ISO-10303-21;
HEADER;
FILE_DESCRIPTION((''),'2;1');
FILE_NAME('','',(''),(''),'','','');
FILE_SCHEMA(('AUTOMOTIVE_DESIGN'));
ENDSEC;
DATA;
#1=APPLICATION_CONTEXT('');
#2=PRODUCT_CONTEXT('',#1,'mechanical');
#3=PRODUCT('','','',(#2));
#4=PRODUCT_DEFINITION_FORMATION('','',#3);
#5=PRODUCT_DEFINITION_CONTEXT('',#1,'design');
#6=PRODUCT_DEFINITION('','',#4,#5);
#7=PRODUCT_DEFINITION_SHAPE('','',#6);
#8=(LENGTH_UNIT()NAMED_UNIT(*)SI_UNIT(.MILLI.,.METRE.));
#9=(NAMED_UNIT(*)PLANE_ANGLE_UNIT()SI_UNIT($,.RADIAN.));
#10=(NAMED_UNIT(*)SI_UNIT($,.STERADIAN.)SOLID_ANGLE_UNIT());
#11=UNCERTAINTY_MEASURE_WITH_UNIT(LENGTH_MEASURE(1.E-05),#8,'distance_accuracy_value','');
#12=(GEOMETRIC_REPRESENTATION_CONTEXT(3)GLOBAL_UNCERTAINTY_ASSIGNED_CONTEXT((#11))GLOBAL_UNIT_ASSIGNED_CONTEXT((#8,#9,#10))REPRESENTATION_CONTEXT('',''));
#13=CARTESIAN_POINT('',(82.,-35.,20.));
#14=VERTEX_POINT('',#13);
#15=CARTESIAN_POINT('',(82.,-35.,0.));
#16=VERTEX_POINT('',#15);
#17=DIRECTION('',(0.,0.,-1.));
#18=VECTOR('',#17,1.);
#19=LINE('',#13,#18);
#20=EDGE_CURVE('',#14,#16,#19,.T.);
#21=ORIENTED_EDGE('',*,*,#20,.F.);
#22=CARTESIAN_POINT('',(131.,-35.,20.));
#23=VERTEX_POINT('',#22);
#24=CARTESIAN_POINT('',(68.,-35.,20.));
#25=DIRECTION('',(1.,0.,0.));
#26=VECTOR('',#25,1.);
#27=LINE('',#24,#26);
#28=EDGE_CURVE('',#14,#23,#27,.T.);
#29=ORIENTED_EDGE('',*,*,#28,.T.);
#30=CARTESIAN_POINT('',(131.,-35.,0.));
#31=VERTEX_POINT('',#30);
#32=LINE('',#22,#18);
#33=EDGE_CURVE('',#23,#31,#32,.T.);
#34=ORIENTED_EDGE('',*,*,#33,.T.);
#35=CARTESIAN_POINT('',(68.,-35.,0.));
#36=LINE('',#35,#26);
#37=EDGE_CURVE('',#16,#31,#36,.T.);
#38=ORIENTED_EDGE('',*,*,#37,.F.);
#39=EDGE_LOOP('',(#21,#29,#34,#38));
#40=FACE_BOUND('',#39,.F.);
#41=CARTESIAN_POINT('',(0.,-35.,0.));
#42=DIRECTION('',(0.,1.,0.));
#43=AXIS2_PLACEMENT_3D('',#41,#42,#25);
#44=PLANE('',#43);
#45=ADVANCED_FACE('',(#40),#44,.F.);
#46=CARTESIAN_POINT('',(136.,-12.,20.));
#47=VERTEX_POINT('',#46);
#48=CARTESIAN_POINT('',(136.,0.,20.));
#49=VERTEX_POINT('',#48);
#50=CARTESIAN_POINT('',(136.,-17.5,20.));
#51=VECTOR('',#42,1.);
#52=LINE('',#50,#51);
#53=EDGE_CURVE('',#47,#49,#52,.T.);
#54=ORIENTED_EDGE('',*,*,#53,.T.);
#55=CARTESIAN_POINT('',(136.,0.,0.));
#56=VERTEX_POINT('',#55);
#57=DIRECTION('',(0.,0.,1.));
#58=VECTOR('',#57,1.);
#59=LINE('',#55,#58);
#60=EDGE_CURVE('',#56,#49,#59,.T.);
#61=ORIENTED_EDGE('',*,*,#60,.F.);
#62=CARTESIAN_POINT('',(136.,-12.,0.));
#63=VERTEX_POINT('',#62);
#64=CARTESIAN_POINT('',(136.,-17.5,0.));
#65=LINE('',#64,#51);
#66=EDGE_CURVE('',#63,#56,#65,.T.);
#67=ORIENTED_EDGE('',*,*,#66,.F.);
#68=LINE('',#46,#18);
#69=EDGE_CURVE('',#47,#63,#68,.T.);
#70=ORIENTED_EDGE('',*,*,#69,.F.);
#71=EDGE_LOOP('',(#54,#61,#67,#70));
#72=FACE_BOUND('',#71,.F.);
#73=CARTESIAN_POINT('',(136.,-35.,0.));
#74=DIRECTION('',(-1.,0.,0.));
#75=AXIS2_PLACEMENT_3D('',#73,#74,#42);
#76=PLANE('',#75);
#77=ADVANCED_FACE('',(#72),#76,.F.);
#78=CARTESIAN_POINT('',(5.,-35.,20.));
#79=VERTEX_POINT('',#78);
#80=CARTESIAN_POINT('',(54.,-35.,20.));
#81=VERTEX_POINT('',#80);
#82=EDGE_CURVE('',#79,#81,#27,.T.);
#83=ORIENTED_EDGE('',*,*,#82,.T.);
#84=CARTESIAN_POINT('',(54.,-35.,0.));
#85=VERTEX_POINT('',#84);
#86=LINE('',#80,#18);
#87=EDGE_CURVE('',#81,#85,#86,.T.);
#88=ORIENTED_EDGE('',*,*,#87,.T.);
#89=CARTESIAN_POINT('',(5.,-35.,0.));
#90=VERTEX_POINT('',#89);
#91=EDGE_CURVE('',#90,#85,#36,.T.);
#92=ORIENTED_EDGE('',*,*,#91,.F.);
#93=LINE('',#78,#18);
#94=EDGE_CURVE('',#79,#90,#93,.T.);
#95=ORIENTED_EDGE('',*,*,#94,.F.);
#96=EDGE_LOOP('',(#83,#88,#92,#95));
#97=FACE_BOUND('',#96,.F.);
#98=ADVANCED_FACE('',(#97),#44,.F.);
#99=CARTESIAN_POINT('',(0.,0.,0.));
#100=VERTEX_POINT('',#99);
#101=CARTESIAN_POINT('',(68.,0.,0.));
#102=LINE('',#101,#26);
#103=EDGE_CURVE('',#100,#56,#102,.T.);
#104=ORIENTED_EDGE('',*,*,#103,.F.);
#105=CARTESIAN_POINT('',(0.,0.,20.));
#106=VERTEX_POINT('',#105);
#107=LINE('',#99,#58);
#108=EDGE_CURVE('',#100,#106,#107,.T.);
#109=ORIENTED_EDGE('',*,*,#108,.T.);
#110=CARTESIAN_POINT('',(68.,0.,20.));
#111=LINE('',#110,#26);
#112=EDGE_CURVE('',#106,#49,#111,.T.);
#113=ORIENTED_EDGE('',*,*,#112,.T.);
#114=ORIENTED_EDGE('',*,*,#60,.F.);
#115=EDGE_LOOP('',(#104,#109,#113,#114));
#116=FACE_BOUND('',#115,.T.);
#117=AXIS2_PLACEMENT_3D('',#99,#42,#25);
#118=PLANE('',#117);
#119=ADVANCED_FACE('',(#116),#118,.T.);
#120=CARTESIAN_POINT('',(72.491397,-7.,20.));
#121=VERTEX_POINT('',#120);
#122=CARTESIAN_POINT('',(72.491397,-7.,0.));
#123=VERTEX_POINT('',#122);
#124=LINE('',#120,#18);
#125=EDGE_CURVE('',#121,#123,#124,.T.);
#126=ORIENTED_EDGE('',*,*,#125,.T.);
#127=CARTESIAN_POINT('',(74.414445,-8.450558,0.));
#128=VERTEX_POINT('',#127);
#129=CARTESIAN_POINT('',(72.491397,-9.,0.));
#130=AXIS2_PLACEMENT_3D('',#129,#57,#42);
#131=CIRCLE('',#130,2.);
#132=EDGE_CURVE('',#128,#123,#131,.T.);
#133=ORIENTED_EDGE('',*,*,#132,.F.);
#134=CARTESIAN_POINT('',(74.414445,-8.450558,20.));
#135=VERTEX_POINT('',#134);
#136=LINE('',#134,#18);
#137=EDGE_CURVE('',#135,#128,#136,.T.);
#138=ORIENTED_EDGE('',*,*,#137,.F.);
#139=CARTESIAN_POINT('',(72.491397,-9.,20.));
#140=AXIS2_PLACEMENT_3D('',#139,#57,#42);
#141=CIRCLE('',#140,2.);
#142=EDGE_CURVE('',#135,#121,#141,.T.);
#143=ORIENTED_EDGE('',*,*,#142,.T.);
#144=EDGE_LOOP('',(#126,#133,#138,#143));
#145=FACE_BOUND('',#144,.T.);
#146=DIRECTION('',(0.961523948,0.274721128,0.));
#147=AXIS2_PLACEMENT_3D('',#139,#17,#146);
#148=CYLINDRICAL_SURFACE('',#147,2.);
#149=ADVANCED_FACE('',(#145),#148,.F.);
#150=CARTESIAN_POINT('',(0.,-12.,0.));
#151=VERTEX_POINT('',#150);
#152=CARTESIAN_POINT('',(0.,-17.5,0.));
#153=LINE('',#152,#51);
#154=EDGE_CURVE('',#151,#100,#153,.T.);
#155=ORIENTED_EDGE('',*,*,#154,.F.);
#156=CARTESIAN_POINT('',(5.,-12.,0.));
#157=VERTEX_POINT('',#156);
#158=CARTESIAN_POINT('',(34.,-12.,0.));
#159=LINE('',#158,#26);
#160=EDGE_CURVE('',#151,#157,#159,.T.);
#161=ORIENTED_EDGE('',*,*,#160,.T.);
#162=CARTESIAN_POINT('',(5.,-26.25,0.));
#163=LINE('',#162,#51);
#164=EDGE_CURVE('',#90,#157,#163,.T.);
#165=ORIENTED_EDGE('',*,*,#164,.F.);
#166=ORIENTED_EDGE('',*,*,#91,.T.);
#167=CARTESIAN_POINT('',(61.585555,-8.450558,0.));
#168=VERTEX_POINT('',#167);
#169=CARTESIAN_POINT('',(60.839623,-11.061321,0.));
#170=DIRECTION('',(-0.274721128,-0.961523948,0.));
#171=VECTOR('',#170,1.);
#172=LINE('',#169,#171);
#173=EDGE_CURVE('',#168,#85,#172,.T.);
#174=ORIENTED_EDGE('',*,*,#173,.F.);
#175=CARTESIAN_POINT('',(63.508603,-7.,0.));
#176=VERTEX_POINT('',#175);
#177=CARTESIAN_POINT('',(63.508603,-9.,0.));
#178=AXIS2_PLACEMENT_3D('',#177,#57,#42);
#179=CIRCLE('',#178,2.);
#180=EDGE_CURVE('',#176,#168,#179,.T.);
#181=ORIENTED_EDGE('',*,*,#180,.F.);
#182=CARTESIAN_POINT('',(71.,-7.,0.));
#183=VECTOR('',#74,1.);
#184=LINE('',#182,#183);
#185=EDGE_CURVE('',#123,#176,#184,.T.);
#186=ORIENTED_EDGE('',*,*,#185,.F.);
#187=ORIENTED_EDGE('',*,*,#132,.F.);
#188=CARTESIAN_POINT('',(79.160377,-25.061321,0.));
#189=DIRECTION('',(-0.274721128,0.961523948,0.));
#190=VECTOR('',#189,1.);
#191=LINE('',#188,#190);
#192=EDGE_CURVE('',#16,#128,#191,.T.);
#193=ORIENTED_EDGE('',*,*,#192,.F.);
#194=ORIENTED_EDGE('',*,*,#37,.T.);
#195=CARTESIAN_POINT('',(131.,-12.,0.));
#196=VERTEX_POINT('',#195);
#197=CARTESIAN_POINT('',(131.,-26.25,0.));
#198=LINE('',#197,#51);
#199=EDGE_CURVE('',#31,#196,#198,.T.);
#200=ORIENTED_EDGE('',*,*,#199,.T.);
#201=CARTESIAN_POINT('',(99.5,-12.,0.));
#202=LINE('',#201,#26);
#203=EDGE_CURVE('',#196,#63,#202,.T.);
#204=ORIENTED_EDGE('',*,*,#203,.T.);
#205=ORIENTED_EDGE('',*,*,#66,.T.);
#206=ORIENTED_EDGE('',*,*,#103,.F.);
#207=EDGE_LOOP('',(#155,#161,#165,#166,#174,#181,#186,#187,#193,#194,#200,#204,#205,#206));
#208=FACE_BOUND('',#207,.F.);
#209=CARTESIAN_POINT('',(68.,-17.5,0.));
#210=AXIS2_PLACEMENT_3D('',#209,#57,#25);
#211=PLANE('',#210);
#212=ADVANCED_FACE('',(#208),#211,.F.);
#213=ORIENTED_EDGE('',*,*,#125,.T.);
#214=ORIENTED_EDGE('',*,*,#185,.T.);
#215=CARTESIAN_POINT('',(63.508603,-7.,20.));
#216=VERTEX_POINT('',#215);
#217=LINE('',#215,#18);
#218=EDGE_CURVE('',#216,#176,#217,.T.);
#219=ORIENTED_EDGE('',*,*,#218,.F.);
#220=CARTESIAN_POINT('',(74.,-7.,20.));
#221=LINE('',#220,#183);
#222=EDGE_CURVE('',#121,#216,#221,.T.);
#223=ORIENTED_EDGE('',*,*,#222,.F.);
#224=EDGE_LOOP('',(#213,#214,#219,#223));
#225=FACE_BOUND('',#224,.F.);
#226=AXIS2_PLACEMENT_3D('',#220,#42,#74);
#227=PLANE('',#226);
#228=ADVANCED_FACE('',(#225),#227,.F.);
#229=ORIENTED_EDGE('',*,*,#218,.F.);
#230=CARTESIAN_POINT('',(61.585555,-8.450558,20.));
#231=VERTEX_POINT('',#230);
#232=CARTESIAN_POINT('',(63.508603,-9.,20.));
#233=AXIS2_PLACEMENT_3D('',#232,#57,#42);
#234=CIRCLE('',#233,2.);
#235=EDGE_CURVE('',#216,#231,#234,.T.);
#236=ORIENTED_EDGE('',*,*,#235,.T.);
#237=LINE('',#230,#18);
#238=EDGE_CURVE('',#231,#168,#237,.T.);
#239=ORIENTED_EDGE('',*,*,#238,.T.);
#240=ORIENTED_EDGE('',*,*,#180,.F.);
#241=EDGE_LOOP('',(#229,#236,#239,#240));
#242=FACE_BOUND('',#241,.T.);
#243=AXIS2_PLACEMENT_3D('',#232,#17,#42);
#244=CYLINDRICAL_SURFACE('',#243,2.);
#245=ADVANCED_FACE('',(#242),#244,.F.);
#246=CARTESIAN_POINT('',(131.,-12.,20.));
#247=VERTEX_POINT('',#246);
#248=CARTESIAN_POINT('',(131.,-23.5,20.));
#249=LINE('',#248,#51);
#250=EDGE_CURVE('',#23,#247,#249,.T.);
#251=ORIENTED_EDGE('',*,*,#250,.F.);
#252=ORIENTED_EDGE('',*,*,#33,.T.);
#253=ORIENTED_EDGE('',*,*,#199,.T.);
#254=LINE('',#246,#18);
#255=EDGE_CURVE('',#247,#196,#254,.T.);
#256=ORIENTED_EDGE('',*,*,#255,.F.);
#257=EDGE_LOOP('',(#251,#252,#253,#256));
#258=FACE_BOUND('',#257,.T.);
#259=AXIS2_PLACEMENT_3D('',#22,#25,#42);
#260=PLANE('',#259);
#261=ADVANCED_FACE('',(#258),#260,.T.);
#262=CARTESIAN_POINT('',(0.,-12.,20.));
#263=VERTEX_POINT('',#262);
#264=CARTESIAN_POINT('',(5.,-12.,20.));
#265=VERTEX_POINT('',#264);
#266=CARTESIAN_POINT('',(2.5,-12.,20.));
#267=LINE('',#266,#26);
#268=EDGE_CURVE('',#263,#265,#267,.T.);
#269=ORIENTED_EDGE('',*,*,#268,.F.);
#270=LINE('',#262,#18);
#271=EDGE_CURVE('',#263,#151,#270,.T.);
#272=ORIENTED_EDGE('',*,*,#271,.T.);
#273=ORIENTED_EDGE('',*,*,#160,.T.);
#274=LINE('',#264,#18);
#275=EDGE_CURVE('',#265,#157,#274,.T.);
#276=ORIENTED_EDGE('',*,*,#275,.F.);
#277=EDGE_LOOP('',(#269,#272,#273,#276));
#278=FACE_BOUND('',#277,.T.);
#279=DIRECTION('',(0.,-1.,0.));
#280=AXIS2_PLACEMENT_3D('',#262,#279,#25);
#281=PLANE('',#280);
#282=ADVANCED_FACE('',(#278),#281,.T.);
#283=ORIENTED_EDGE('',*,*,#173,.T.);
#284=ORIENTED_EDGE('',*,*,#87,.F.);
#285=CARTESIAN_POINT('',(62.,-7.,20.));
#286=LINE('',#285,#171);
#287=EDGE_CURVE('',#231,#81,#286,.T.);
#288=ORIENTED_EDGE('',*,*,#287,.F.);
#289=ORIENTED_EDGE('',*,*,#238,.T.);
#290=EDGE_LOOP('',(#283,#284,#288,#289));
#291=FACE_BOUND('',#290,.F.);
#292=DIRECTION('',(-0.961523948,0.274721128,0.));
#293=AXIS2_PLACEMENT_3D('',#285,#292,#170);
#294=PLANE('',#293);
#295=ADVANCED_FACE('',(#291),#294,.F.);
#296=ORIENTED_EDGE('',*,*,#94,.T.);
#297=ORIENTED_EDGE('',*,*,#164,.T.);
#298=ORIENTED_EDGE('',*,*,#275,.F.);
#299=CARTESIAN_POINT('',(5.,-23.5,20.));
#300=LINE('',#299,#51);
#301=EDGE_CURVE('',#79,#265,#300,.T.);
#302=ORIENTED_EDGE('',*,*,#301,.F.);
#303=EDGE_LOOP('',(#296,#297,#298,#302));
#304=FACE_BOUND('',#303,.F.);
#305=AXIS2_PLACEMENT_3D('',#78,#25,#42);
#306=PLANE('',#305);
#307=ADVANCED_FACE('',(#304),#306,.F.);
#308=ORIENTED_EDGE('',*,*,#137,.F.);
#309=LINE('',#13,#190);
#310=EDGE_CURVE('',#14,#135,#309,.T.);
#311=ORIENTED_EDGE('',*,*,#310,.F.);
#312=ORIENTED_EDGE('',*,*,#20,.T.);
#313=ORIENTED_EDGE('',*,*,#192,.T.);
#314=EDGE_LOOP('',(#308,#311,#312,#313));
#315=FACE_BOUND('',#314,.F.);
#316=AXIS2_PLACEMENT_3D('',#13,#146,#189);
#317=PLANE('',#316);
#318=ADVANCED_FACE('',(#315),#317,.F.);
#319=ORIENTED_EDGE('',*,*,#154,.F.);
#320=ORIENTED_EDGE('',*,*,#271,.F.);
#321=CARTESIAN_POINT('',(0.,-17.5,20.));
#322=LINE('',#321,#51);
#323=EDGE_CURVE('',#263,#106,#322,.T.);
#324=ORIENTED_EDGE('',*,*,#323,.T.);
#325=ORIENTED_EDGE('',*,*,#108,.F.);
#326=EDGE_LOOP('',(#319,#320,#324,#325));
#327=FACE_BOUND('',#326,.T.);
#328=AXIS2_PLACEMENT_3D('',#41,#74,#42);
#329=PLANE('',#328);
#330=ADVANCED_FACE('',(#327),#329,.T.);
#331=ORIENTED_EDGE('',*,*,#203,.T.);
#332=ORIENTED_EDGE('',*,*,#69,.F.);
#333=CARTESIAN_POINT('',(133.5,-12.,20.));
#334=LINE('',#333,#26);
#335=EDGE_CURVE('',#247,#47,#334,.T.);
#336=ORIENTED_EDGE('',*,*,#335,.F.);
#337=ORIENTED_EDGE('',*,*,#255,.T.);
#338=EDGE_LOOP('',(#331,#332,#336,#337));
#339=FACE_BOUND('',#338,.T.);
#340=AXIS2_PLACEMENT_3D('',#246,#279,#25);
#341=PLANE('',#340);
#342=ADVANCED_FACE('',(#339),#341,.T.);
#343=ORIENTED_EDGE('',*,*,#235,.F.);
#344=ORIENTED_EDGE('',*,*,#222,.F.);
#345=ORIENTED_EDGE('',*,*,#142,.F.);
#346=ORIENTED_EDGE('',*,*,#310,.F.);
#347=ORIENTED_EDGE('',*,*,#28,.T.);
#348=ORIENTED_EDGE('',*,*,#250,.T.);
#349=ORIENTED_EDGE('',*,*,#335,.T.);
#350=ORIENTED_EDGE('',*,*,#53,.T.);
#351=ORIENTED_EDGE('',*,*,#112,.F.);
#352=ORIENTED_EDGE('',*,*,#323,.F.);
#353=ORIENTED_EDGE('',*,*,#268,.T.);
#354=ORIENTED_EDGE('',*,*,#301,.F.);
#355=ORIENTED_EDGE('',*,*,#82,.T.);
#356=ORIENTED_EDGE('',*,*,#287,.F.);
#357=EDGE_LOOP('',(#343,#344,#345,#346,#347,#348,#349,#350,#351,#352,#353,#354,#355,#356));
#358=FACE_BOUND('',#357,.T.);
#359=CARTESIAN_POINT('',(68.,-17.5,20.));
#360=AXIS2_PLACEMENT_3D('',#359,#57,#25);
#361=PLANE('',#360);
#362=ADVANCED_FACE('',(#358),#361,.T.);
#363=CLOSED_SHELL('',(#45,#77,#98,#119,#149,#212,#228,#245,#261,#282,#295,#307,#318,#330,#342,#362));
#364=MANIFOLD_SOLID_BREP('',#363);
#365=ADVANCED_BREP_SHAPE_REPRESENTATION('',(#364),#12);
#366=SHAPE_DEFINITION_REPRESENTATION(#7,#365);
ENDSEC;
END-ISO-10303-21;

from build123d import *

# Parameters (mm, degrees)
F0_W     = 136
F0_H     = 35
F1_DEPTH = 20
F2_W     = 5
F2_H     = 23
F3_DEPTH = 25
F4_R     = 2


with BuildPart() as f1:
    # F0 (on Top) → F1 (new body)
    with BuildSketch(Plane.XY):
        with Locations((68, -17.5)):
            Rectangle(F0_W, F0_H)
    extrude(amount=F1_DEPTH)

    # F2 (on face) → F3 (cut)
    with BuildSketch(Plane.XY.offset(20)):
        Polygon((68, -7), (62, -7), (54, -35), (82, -35), (74, -7), align=None)
        with Locations((133.5, -23.5)):
            Rectangle(F2_W, F2_H)
        with Locations((2.5, -23.5)):
            Rectangle(F2_W, F2_H)
    extrude(amount=-F3_DEPTH, mode=Mode.SUBTRACT)

    # F4
    f4_edges = [f1.edges().sort_by_distance(p)[0] for p in [
        (62, -7, 10),
        (74, -7, 10),
    ]]
    fillet(f4_edges, radius=F4_R)


solid = f1.part
